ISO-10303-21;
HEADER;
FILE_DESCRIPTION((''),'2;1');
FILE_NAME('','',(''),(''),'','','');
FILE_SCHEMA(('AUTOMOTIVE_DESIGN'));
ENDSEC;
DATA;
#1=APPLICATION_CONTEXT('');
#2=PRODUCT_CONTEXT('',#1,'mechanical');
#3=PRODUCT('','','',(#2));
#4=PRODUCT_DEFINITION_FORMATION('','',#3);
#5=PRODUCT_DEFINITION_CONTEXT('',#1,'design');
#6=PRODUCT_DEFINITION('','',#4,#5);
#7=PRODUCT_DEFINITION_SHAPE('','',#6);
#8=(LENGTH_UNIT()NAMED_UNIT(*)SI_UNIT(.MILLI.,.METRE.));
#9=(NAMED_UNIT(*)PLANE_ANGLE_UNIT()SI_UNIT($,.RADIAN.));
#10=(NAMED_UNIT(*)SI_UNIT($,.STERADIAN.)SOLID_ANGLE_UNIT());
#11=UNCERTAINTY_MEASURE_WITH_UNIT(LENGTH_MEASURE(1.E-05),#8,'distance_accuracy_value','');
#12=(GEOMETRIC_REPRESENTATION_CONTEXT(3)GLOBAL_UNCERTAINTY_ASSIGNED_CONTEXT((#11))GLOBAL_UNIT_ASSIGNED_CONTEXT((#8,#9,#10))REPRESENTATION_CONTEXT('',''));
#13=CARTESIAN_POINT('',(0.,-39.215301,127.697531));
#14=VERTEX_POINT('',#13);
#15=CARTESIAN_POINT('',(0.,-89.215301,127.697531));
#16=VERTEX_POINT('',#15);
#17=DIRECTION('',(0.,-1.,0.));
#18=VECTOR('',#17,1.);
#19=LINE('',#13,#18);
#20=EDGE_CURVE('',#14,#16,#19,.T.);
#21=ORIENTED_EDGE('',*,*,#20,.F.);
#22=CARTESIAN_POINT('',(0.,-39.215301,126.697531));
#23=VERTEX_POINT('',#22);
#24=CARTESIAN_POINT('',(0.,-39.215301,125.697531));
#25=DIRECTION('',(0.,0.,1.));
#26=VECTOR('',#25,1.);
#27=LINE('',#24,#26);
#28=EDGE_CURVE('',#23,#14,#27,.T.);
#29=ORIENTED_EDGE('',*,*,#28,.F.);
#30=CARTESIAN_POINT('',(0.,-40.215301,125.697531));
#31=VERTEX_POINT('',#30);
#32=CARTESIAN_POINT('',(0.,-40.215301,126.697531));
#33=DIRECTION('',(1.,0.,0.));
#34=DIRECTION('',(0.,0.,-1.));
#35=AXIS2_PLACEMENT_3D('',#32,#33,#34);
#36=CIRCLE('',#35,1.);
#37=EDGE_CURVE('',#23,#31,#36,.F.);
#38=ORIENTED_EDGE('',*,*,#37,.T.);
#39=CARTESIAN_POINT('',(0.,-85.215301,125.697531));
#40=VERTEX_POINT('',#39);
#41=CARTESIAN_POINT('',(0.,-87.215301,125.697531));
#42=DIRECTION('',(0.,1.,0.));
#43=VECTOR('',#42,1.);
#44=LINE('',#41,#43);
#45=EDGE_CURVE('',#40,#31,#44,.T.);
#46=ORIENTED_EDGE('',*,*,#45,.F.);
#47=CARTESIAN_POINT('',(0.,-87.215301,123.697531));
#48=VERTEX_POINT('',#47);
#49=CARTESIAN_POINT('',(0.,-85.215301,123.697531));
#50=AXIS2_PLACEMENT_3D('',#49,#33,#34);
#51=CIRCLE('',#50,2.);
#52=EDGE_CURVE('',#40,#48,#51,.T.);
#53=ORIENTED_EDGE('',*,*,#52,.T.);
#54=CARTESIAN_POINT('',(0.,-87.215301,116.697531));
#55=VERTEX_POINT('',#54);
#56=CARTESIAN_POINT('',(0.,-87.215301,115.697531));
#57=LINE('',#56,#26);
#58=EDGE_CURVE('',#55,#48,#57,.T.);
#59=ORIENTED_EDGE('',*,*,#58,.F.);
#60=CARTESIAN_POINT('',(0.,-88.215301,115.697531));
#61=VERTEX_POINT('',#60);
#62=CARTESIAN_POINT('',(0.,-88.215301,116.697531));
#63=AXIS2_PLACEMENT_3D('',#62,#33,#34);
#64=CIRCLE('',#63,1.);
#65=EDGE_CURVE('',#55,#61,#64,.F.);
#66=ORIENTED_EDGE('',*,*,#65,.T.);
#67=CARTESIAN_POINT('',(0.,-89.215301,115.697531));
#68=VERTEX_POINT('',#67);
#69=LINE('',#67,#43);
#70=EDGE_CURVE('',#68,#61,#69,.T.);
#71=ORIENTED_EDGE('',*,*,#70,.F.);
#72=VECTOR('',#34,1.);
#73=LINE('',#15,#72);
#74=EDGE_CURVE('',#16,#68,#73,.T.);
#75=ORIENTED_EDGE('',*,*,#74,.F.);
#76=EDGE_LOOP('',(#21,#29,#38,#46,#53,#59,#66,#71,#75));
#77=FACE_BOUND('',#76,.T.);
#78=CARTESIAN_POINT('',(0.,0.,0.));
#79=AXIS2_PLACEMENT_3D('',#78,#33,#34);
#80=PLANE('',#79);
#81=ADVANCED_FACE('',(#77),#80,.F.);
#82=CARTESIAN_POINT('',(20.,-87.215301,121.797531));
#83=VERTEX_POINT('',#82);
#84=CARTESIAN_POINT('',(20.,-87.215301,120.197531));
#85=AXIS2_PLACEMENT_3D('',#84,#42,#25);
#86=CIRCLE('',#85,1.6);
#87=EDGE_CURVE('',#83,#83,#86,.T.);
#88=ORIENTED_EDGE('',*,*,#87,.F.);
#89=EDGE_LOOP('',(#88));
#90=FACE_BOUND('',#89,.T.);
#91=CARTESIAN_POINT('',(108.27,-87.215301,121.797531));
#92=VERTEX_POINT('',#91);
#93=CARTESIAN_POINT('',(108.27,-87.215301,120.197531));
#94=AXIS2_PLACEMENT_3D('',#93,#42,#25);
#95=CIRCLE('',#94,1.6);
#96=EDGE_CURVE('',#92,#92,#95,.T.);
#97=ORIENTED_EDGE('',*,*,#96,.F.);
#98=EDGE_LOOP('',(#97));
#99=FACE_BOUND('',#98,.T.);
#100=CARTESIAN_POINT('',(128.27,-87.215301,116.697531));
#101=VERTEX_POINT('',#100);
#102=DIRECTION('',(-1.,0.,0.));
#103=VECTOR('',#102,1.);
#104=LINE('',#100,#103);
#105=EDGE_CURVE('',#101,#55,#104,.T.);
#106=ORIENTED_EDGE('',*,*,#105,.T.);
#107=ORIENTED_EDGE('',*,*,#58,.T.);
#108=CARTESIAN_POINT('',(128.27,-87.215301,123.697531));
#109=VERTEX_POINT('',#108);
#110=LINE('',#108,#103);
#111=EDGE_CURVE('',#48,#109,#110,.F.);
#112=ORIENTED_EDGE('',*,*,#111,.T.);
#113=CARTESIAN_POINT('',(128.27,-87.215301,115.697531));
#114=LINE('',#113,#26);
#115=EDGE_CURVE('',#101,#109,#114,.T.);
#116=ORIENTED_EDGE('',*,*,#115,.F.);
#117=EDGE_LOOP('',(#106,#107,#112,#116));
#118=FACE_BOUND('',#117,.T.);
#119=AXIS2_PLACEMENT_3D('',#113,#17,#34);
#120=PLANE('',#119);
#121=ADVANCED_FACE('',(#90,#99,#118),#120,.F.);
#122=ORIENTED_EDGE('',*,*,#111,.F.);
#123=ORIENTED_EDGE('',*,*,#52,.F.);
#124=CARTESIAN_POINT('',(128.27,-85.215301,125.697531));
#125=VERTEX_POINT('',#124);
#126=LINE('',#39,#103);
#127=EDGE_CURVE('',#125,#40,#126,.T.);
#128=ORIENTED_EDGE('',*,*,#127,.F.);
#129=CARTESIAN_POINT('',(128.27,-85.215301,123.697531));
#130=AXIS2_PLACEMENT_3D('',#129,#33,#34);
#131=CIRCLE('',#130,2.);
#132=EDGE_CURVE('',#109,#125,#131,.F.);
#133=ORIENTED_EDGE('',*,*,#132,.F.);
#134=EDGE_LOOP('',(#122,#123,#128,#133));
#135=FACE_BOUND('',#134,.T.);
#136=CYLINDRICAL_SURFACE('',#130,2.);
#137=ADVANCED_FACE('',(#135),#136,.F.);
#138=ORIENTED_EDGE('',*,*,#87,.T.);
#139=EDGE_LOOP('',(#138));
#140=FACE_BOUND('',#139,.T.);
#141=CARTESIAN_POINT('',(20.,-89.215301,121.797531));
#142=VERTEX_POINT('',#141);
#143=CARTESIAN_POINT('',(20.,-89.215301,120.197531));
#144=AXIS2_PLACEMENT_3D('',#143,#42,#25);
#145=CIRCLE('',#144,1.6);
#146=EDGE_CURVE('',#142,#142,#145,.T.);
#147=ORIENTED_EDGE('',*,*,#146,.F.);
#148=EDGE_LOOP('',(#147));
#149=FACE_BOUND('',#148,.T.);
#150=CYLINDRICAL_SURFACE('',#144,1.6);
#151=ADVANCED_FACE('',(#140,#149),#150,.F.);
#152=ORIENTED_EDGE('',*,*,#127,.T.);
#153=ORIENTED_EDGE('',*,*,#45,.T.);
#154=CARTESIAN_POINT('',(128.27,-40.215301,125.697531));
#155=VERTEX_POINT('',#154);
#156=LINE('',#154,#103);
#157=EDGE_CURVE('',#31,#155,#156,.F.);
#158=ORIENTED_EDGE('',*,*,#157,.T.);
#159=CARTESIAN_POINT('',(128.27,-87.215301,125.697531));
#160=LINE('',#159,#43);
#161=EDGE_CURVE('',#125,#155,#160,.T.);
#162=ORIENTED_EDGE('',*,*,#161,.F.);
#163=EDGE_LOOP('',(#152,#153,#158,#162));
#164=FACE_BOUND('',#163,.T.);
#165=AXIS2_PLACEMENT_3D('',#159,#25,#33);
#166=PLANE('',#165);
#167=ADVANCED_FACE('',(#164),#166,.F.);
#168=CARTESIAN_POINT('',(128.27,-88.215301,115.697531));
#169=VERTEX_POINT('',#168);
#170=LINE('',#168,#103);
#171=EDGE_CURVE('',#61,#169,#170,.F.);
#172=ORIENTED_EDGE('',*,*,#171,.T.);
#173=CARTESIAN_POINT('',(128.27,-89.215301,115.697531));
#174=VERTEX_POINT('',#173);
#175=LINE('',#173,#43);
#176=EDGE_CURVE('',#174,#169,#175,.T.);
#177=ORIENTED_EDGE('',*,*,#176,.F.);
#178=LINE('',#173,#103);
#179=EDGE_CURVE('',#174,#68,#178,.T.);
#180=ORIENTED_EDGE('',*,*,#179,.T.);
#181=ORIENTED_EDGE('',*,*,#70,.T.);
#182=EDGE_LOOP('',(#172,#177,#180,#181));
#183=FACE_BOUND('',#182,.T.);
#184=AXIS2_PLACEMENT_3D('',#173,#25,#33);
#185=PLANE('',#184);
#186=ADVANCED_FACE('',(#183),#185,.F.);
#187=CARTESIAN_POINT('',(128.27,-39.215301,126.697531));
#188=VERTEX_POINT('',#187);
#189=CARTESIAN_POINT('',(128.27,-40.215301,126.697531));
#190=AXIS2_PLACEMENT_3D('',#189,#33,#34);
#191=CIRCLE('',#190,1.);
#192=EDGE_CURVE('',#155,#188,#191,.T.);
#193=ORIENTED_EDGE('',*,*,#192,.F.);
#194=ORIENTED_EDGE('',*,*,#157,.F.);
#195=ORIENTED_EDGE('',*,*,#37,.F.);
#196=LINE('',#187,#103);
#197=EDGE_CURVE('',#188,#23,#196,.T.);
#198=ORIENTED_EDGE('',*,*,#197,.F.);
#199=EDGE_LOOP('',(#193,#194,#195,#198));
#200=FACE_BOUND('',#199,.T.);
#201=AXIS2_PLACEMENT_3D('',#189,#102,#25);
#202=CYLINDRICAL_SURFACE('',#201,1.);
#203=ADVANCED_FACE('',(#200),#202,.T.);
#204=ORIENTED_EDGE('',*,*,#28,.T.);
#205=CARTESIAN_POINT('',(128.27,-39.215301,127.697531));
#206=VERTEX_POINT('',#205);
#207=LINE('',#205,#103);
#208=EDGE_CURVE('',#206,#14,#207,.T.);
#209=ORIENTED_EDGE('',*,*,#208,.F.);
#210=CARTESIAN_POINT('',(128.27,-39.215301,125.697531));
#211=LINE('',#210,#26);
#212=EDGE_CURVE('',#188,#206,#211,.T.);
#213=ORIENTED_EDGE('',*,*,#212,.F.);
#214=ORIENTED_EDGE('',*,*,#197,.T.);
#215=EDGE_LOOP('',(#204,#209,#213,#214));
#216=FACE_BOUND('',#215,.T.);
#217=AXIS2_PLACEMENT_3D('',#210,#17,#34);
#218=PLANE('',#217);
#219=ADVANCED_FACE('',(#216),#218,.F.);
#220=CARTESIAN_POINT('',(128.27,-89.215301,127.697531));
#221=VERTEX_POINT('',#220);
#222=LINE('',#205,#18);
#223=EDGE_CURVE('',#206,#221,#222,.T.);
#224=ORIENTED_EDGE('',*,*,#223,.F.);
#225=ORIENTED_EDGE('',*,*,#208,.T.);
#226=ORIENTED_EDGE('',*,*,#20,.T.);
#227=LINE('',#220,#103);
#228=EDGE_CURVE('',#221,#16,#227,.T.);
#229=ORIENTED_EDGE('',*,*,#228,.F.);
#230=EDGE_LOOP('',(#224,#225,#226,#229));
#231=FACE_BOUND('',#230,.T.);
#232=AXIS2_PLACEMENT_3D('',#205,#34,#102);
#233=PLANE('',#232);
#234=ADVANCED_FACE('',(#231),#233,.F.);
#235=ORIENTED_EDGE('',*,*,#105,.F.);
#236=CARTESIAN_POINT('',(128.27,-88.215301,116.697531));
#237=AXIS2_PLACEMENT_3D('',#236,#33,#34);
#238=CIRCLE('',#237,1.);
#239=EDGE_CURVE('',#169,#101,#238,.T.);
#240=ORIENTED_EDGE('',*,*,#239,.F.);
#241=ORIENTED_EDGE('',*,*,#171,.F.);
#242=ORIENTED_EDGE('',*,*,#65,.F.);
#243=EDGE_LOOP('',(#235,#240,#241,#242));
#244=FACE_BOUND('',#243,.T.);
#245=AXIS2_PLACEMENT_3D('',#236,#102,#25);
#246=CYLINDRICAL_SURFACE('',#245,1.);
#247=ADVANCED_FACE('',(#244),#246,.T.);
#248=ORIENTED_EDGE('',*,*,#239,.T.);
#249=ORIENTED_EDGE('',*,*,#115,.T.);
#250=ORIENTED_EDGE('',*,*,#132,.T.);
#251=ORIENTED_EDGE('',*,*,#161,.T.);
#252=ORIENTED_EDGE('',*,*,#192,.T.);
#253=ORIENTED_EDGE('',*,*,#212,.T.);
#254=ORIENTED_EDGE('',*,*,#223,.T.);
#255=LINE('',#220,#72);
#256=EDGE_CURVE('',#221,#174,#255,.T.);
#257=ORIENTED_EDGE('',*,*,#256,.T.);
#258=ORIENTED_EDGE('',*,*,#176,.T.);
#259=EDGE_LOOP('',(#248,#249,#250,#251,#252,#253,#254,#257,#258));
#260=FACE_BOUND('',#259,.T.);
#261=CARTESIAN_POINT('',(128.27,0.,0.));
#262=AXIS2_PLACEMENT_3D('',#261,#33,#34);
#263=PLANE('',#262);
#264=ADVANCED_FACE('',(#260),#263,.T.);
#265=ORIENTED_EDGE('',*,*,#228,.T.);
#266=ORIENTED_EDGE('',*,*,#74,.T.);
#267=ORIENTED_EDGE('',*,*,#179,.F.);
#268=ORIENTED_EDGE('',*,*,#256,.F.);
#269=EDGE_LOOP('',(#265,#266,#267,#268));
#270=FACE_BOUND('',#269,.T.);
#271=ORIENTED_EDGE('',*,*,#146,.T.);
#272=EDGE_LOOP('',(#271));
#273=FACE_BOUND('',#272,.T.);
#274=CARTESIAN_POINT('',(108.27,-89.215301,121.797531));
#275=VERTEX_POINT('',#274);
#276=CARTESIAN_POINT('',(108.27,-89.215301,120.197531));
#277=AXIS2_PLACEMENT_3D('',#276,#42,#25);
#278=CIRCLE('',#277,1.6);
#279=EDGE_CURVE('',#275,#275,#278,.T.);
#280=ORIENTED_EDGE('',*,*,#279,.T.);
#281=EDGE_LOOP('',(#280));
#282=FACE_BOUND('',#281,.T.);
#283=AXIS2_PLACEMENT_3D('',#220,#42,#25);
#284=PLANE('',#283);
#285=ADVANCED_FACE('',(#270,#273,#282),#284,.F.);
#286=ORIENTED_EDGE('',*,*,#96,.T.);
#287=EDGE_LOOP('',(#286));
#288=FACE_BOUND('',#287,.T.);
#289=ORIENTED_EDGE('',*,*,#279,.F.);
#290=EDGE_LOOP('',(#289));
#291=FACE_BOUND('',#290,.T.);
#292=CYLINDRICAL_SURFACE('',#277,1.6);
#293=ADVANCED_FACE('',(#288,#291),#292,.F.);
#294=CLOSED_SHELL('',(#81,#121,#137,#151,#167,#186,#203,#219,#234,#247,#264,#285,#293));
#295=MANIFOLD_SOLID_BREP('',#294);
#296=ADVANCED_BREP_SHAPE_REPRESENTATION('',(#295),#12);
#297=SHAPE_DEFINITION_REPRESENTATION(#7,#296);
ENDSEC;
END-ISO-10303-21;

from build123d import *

# Parameters (mm, degrees)
BOSS_EXTRUDE1_DEPTH = 128.27
FILLET1_R           = 1
FILLET2_R           = 2
SKETCH2_R           = 1.6
CUT_EXTRUDE1_DEPTH  = 188.253444223


with BuildPart() as part:
    # Sketch1 → Boss-Extrude1 (new body)
    with BuildSketch(Plane(origin=(0, 0, 0), x_dir=(0, 0, -1), z_dir=(1, 0, 0))):
        Polygon((-127.697531195, -39.21530097), (-127.697531195, -89.21530097), (-115.697531195, -89.21530097), (-115.697531195, -87.21530097), (-125.697531195, -87.21530097), (-125.697531195, -39.21530097), align=None)
    extrude(amount=BOSS_EXTRUDE1_DEPTH)

    # Fillet1
    fillet1_edges = [part.edges().sort_by_distance(p)[0] for p in [
        (64.135, -39.21530097, 125.697531195),
        (64.135, -87.21530097, 115.697531195),
    ]]
    fillet(fillet1_edges, radius=FILLET1_R)

    # Fillet2
    fillet2_edges = [part.edges().sort_by_distance(p)[0] for p in [
        (64.135, -87.21530097, 125.697531195),
    ]]
    fillet(fillet2_edges, radius=FILLET2_R)

    # Sketch2 → Cut-Extrude1 (cut, through all)
    with BuildSketch(Plane(origin=(0, -87.21530097, 0), x_dir=(1, 0, 0), z_dir=(0, 1, 0))):
        with Locations(Location((20, -120.197531195, 0), (0, 0, 270))):
            Circle(SKETCH2_R)
        with Locations(Location((108.27, -120.197531195, 0), (0, 0, 270))):
            Circle(SKETCH2_R)
    extrude(amount=-CUT_EXTRUDE1_DEPTH, mode=Mode.SUBTRACT)


solid = part.part
